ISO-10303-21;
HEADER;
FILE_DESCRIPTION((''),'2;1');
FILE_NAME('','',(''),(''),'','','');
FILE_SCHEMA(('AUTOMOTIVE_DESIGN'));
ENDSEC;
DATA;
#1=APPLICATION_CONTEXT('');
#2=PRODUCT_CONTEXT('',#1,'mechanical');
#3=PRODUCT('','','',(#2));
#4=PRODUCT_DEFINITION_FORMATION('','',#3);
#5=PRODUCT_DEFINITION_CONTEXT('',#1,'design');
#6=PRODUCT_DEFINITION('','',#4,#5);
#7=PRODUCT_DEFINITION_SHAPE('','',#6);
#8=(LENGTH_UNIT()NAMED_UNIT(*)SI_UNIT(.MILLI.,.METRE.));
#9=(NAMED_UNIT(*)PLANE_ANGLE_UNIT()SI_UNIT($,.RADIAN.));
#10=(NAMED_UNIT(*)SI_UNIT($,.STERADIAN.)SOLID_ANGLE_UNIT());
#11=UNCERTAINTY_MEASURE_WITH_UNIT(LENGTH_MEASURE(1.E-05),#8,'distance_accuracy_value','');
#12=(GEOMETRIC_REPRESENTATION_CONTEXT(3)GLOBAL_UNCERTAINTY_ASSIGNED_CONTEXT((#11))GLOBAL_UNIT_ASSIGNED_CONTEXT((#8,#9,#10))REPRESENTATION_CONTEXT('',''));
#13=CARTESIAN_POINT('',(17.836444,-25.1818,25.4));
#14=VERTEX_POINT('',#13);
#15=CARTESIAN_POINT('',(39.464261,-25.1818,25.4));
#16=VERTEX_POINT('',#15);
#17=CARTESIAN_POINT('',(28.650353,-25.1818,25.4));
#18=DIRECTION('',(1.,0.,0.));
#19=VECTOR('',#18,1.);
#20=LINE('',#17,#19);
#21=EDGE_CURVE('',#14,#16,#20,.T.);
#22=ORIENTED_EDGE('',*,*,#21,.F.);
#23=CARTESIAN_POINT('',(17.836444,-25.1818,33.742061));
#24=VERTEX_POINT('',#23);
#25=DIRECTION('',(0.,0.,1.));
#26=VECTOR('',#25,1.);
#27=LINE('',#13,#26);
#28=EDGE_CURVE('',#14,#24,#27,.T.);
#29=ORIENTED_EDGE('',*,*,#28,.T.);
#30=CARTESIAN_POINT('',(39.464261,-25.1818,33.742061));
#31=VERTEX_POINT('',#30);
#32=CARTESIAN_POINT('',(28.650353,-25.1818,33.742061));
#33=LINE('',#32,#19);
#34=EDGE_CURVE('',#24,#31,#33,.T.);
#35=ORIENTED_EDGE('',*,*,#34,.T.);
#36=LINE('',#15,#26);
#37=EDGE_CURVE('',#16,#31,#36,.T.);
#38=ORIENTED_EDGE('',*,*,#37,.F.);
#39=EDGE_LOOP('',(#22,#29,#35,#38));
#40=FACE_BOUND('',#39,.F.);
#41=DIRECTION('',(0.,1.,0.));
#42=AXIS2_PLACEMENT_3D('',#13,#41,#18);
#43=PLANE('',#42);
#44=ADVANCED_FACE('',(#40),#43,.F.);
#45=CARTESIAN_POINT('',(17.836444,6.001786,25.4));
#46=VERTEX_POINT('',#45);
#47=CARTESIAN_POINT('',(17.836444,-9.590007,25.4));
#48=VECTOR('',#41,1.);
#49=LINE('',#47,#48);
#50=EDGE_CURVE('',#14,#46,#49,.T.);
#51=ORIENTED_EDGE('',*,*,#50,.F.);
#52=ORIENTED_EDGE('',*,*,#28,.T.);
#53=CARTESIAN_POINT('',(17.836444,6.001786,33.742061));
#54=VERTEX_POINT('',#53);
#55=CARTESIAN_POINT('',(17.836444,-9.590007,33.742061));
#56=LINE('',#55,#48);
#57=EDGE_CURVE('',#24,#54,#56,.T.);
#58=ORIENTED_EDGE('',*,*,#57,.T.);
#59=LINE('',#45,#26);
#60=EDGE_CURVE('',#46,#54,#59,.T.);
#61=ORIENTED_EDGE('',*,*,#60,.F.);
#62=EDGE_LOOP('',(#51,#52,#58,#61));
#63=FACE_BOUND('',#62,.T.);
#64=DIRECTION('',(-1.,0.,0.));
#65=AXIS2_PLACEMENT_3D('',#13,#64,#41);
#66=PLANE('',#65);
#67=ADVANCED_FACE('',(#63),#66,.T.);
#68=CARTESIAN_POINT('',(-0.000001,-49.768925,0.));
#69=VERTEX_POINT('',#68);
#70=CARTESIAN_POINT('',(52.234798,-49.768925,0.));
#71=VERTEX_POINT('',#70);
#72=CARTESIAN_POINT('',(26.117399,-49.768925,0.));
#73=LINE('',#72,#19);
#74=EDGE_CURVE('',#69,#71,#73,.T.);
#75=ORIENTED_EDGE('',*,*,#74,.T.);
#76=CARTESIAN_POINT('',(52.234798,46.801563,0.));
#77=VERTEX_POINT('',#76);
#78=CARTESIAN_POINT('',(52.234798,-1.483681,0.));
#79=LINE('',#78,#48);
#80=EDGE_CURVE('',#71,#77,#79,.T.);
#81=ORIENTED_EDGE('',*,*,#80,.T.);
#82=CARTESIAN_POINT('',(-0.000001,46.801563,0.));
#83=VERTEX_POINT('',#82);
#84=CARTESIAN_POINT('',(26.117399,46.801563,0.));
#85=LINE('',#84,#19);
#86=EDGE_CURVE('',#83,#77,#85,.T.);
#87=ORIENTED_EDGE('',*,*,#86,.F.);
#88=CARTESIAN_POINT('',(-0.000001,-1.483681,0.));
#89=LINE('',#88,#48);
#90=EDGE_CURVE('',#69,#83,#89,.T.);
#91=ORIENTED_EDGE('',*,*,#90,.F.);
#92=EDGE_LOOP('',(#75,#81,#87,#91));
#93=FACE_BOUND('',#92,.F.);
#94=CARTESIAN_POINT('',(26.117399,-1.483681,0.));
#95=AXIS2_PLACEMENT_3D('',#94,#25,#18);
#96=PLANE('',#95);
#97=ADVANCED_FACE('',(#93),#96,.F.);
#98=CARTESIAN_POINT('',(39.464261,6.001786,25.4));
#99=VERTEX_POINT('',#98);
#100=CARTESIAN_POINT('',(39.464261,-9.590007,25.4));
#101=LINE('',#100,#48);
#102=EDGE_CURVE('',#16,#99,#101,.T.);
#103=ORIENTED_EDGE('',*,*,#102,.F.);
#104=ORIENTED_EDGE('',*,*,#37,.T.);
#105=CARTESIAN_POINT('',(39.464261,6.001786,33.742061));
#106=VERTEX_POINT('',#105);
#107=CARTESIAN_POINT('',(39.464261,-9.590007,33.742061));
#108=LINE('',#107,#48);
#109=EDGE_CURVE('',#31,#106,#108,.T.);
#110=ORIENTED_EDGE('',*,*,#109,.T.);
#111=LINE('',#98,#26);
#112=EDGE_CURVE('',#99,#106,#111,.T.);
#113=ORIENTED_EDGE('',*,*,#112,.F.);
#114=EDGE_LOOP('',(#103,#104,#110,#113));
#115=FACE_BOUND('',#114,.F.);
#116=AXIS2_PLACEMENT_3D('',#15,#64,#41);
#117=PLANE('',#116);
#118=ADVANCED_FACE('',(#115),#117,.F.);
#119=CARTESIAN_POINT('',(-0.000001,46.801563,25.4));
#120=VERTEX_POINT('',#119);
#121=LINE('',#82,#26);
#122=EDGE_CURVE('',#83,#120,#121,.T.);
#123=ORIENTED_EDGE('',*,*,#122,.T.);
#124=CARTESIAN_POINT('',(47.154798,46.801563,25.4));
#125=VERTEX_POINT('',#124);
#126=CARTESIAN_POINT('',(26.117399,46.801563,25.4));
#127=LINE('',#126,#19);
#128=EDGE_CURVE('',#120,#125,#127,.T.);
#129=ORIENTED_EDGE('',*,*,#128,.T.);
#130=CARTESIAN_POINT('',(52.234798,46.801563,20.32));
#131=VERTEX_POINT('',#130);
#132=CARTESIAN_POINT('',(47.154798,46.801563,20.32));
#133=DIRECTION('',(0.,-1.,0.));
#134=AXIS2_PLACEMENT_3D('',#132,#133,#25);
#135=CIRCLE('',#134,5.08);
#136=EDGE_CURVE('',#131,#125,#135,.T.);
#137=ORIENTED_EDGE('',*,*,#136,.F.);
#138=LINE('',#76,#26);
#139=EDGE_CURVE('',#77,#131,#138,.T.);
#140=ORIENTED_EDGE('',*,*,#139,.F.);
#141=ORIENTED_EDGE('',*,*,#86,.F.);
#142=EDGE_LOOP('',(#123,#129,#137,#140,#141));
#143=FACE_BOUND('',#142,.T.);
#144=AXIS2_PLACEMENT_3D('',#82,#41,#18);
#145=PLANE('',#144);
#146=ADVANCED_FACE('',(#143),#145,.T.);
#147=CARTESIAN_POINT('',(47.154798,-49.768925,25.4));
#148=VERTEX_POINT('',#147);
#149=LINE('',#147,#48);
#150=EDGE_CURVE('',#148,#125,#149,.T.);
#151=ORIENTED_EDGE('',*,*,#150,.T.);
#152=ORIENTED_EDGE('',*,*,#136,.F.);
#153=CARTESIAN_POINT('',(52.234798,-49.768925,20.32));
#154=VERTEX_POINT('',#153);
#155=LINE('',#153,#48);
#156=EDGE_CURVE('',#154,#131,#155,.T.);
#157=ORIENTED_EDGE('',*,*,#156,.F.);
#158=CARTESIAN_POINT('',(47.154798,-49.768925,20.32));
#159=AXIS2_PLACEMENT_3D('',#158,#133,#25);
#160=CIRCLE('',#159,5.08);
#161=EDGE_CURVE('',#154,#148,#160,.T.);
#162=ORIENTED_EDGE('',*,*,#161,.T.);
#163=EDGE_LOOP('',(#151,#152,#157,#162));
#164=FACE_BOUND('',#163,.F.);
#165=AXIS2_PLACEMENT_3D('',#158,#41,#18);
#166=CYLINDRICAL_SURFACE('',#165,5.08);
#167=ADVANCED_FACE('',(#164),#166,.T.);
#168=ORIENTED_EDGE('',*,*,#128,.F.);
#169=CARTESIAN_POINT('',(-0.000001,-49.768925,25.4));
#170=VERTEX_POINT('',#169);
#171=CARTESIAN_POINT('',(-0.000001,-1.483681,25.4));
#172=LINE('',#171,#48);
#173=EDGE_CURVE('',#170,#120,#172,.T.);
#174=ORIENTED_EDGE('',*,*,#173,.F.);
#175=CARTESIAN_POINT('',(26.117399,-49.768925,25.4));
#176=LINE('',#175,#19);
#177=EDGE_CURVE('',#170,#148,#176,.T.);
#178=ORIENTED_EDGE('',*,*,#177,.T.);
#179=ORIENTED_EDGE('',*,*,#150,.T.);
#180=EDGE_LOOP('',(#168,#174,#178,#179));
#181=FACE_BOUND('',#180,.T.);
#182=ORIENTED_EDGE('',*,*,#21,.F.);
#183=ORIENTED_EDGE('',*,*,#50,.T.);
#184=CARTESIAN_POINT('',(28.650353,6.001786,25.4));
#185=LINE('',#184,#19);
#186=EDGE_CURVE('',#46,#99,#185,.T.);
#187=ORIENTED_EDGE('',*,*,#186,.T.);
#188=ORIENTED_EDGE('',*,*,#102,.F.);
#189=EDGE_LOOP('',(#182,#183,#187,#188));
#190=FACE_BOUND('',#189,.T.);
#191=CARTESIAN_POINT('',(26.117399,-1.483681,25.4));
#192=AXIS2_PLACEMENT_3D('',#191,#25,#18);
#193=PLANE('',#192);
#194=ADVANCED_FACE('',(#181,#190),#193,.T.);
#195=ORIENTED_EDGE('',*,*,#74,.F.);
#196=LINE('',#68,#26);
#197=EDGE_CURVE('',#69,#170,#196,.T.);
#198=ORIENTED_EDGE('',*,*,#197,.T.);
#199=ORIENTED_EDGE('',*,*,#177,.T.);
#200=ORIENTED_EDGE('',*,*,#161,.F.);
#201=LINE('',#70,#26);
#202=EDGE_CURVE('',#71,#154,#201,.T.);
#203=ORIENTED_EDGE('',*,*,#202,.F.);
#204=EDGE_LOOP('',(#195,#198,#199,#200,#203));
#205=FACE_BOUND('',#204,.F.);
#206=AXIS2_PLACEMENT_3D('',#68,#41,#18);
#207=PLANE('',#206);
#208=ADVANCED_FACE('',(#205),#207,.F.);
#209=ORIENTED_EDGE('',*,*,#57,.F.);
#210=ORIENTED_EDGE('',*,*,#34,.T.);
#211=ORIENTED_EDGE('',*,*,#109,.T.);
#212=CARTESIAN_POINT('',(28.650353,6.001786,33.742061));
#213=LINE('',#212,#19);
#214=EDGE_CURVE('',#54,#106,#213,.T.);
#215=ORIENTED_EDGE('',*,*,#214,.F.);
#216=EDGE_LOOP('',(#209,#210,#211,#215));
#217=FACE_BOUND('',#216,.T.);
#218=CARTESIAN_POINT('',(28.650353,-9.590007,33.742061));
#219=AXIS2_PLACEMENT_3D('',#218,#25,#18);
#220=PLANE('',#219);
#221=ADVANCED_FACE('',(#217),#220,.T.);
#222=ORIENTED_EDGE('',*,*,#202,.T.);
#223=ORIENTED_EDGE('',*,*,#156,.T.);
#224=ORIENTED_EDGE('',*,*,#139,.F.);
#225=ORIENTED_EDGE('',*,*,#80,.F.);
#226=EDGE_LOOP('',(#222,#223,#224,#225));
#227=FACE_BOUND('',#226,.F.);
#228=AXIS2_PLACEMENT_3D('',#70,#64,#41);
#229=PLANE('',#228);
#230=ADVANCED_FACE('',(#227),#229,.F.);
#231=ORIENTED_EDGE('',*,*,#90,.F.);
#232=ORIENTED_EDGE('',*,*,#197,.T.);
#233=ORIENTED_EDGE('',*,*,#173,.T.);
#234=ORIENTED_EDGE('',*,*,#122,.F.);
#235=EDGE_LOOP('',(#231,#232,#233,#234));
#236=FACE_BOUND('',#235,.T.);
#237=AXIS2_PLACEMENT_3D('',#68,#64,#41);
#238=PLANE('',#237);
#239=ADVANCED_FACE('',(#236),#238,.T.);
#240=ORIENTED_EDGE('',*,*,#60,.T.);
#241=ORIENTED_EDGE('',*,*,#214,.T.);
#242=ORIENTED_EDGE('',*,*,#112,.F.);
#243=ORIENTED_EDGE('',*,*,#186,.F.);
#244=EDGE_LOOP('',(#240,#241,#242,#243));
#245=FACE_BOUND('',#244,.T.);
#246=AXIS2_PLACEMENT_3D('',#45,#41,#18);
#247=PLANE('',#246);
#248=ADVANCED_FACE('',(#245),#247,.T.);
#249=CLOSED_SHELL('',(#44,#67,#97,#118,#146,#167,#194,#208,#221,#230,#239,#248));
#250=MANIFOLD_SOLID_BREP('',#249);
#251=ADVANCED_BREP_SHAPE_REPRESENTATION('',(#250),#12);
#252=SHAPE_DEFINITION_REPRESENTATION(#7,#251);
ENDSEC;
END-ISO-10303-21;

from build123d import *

# Parameters (mm, degrees)
F0_W     = 52.234799
F0_H     = 96.570488
F1_DEPTH = 25.4
F2_R     = 5.08
F3_W     = 21.627817
F3_H     = 31.183585
F4_DEPTH = 8.342061


with BuildPart() as f1:
    # F0 (on Top) → F1 (new body)
    with BuildSketch(Plane.XY):
        with Locations((26.117399, -1.483681)):
            Rectangle(F0_W, F0_H)
    extrude(amount=F1_DEPTH)

    # F2
    f2_edges = [f1.edges().sort_by_distance(p)[0] for p in [
        (52.234799, -1.483681, 25.4),
    ]]
    fillet(f2_edges, radius=F2_R)

    # F3 (on face) → F4 (join)
    with BuildSketch(Plane.XY.offset(25.4)):
        with Locations((28.650353, -9.590007)):
            Rectangle(F3_W, F3_H)
    extrude(amount=F4_DEPTH)


solid = f1.part
